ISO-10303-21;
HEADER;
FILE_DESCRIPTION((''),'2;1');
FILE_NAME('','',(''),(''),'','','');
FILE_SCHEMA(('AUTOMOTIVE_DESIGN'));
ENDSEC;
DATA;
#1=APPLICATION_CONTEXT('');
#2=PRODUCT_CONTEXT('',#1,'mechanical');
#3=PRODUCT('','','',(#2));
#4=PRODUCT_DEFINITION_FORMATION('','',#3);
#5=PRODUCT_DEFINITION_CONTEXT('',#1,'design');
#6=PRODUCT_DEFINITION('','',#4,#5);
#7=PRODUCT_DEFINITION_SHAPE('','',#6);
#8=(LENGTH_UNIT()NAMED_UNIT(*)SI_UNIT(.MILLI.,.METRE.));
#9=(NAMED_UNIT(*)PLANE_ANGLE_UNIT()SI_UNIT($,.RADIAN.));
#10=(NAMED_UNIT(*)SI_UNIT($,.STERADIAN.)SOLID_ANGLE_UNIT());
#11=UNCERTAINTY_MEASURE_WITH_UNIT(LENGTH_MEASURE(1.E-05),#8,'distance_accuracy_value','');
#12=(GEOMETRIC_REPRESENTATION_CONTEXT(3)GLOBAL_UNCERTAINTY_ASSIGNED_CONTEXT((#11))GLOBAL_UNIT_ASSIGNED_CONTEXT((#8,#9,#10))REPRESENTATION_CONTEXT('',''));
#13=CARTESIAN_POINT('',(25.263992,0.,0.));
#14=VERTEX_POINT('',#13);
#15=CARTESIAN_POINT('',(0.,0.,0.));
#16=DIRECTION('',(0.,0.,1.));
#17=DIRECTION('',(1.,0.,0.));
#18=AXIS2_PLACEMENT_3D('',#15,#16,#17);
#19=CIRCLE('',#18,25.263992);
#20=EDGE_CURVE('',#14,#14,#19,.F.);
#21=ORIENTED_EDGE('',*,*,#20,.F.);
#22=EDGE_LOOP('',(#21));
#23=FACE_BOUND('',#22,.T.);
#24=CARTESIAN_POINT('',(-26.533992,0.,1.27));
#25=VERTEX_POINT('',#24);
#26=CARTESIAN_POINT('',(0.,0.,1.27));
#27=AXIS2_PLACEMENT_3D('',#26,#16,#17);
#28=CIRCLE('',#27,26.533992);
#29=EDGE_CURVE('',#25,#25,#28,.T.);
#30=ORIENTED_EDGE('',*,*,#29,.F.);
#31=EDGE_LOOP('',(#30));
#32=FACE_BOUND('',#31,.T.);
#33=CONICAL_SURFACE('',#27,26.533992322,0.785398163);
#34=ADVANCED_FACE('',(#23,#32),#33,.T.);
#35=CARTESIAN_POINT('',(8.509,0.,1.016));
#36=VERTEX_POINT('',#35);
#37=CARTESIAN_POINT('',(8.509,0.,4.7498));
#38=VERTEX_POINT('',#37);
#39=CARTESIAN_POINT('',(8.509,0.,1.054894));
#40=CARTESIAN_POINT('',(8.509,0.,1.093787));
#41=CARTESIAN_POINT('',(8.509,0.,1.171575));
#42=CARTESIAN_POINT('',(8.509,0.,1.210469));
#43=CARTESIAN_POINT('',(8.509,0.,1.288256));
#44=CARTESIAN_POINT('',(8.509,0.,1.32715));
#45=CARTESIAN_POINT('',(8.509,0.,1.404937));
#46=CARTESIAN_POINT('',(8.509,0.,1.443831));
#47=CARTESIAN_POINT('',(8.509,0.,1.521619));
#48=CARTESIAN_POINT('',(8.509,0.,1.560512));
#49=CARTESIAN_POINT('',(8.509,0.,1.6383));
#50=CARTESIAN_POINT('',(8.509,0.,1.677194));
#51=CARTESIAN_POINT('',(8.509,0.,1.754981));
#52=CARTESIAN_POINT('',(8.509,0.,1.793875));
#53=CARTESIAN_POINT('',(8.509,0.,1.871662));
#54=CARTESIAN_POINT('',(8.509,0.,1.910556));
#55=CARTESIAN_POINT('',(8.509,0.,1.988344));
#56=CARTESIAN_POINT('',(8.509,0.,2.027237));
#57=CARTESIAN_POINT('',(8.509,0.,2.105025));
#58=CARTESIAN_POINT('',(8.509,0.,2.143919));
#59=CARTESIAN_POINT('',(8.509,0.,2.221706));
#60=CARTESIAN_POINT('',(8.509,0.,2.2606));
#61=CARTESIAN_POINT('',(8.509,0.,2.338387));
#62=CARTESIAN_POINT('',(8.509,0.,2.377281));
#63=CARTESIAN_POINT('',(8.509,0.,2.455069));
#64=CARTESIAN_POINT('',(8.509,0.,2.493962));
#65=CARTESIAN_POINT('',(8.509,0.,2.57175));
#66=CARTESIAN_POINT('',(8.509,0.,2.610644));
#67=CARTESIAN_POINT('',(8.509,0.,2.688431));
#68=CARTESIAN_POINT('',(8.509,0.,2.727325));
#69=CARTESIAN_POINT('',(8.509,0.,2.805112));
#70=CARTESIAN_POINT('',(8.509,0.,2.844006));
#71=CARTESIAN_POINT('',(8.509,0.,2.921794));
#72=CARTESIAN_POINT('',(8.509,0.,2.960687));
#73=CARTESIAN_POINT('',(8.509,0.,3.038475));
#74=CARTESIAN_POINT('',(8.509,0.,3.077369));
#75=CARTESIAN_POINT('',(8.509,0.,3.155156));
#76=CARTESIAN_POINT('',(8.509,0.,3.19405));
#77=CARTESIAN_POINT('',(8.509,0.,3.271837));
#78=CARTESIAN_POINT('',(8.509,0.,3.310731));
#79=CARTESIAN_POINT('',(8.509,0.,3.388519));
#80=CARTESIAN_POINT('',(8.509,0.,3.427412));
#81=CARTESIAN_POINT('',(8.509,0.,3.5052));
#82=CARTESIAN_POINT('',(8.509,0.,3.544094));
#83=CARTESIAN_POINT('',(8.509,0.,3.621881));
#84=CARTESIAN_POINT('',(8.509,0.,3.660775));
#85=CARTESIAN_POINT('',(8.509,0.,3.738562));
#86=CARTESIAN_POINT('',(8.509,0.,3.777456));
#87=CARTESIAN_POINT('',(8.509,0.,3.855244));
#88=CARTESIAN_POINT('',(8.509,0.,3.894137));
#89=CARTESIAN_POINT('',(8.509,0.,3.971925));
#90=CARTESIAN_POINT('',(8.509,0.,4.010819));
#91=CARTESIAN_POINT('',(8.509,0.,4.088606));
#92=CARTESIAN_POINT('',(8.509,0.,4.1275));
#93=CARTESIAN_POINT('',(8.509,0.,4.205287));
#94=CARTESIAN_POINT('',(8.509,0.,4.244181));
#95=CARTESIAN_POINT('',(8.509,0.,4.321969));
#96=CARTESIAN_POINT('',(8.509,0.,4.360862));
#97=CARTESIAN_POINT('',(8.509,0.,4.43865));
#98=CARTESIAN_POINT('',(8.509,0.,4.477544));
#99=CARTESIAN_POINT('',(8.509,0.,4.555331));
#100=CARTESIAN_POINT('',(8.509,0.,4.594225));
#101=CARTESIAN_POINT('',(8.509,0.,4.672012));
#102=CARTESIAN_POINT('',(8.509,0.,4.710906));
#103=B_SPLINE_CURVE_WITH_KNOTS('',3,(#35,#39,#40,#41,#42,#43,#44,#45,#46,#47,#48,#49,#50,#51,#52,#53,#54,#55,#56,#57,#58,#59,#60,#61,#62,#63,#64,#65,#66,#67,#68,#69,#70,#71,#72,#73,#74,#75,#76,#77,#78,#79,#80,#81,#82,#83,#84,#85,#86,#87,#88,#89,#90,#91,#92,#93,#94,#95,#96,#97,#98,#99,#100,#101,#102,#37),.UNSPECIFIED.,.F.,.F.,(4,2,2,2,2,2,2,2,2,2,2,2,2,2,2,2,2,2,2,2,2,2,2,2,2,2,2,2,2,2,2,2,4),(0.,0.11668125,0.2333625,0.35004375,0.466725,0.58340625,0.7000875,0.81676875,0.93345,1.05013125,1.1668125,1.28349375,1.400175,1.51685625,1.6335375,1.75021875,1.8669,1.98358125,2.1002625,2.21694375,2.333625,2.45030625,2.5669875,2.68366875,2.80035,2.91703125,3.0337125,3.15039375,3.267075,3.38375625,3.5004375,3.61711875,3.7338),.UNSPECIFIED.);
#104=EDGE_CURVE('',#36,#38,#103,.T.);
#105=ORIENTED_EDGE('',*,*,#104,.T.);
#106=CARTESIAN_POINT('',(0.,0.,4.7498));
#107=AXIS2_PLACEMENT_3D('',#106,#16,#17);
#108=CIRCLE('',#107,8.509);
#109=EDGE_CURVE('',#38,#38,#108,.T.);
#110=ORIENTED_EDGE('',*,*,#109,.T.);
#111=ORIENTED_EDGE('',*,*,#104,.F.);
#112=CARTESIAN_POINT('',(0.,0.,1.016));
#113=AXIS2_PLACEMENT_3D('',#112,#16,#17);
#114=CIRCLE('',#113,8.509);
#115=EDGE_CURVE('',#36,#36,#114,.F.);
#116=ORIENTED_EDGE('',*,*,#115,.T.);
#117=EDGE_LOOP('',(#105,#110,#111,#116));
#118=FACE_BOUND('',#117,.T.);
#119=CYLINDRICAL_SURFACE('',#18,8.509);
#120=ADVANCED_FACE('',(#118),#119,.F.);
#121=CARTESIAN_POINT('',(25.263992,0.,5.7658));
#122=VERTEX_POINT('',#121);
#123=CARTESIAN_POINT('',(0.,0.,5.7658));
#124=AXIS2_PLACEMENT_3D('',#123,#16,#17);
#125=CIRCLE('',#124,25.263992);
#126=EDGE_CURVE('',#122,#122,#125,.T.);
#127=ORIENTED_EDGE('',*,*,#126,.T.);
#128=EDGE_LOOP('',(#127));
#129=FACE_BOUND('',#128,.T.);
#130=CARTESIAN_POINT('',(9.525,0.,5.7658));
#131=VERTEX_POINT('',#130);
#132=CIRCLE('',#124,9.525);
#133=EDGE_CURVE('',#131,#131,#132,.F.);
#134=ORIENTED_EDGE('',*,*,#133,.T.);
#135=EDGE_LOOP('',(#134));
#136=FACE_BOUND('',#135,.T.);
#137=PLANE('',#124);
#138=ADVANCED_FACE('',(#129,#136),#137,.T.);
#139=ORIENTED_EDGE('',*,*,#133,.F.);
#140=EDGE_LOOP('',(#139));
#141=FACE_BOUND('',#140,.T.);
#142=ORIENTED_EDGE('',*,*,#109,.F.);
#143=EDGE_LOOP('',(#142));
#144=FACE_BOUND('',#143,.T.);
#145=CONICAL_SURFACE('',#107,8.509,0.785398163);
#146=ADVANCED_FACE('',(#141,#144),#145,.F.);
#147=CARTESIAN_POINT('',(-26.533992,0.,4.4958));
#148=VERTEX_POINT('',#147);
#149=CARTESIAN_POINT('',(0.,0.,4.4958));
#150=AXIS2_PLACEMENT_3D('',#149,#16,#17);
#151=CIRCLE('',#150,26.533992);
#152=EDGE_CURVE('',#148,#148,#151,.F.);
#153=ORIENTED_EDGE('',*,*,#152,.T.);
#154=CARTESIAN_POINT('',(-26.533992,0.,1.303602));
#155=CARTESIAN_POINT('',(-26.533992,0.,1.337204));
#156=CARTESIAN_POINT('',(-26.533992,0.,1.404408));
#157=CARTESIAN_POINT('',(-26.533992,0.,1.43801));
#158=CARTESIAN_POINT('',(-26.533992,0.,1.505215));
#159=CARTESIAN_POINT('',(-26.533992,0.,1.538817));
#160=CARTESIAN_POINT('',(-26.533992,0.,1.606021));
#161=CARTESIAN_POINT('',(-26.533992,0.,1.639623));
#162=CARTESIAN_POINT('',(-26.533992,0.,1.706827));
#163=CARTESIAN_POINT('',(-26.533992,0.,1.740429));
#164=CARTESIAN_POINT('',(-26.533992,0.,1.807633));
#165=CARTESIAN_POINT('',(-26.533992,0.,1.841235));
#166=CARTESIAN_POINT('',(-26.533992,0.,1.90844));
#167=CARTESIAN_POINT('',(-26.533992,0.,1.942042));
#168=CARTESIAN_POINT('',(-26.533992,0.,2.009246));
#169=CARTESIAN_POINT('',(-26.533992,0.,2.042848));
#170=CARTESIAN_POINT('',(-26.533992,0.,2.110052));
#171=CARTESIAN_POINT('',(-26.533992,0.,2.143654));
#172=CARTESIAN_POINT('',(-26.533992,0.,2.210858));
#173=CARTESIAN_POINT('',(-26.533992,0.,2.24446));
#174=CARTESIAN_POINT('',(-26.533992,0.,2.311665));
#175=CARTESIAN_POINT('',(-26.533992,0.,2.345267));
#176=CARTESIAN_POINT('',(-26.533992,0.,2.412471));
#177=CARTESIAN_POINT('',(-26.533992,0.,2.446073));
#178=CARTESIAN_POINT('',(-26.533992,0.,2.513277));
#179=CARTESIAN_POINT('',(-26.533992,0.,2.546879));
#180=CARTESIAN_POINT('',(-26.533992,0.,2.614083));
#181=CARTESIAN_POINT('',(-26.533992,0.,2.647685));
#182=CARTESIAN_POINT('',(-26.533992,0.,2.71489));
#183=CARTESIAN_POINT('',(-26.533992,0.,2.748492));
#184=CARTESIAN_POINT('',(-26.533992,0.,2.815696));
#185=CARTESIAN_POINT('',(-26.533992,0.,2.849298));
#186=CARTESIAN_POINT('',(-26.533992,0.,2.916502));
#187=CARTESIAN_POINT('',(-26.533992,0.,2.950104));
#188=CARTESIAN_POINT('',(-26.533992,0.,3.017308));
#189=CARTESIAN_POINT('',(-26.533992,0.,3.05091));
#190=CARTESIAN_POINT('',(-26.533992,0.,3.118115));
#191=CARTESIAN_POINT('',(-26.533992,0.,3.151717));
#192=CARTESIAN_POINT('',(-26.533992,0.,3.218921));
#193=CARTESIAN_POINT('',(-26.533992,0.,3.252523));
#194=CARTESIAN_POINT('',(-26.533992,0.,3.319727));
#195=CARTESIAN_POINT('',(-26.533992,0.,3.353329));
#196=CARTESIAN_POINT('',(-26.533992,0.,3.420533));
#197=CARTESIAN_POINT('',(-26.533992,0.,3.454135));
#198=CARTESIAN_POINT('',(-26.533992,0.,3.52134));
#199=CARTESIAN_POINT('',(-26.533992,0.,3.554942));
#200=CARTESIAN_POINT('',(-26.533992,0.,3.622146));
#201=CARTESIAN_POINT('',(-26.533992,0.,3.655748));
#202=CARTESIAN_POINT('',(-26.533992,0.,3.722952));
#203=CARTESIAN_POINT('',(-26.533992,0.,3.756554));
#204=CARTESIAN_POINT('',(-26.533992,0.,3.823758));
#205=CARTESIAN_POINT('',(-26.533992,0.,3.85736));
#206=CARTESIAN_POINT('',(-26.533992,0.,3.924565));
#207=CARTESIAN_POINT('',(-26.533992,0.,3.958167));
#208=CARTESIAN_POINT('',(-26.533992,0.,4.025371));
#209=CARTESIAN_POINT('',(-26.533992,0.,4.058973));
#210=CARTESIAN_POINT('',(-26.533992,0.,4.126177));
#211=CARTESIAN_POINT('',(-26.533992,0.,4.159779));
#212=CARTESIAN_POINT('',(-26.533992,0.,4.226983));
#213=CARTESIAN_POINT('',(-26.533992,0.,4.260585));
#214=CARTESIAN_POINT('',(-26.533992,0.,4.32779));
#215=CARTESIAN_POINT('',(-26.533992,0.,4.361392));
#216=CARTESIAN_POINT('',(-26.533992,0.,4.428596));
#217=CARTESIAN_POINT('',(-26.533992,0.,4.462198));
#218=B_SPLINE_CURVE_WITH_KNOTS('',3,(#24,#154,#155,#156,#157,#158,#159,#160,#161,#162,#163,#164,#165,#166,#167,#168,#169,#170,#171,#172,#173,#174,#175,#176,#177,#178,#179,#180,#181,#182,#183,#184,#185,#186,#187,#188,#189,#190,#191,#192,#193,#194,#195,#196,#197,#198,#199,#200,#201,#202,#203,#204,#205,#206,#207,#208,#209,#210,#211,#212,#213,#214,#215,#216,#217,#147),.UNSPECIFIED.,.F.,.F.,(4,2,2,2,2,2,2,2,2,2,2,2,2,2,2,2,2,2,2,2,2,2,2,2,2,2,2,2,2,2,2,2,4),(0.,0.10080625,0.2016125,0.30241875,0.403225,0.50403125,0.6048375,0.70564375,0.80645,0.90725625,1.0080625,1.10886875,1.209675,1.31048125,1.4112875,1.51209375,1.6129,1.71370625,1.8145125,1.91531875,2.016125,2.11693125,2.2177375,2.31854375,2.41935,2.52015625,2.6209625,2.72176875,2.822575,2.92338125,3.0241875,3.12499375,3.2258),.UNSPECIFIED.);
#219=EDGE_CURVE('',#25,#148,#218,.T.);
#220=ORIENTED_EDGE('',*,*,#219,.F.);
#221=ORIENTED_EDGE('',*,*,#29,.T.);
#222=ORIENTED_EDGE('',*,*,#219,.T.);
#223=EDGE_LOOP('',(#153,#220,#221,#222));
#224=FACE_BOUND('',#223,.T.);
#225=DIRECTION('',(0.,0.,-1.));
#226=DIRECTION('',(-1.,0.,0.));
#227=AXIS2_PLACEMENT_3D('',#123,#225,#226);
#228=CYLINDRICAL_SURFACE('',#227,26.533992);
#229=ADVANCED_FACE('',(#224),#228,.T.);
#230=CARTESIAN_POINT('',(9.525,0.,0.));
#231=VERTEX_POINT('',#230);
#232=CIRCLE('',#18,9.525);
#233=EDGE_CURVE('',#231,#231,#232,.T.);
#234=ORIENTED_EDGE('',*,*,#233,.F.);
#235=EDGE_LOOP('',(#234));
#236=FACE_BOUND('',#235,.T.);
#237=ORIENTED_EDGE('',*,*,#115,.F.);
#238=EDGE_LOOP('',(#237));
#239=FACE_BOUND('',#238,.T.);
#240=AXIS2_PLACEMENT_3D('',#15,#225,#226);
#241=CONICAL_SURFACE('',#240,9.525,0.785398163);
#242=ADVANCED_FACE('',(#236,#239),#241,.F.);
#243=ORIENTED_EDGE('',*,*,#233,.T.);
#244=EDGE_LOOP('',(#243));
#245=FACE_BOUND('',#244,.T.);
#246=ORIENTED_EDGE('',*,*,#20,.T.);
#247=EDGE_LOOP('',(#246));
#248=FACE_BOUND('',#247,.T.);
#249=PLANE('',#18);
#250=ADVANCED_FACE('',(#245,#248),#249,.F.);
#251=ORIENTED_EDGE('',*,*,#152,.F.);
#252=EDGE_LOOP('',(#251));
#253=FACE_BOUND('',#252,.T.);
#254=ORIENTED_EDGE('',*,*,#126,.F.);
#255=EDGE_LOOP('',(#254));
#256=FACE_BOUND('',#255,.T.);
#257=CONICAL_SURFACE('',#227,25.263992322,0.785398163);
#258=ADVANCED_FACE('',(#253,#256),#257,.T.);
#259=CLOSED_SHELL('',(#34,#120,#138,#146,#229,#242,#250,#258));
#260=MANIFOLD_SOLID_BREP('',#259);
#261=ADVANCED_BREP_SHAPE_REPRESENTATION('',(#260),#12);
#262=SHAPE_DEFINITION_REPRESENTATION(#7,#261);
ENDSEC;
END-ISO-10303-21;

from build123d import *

# Parameters (mm, degrees)
SKETCH2_R           = 26.533992322
BOSS_EXTRUDE1_DEPTH = 5.7658
CHAMFER1_SIZE       = 1.27
SKETCH3_R           = 8.509
CUT_EXTRUDE1_DEPTH  = 5.7658
CHAMFER2_SIZE       = 1.016


with BuildPart() as part:
    # Sketch2 → Boss-Extrude1 (new body)
    with BuildSketch(Plane.XY):
        with Locations(Location((0, 0, 0), (0, 0, 180))):
            Circle(SKETCH2_R)
    extrude(amount=BOSS_EXTRUDE1_DEPTH)

    # Chamfer1
    chamfer1_edges = [part.edges().sort_by_distance(p)[0] for p in [
        (26.533992322, 0, 0),
        (26.533992322, 0, 5.7658),
    ]]
    chamfer(chamfer1_edges, length=CHAMFER1_SIZE)

    # Sketch3 → Cut-Extrude1 (cut)
    with BuildSketch(Plane.XY.offset(5.7658)):
        Circle(SKETCH3_R)
    extrude(amount=-CUT_EXTRUDE1_DEPTH, mode=Mode.SUBTRACT)

    # Chamfer2
    chamfer2_edges = [part.edges().sort_by_distance(p)[0] for p in [
        (-8.509, 0, 0),
        (-8.509, 0, 5.7658),
    ]]
    chamfer(chamfer2_edges, length=CHAMFER2_SIZE)


solid = part.part
